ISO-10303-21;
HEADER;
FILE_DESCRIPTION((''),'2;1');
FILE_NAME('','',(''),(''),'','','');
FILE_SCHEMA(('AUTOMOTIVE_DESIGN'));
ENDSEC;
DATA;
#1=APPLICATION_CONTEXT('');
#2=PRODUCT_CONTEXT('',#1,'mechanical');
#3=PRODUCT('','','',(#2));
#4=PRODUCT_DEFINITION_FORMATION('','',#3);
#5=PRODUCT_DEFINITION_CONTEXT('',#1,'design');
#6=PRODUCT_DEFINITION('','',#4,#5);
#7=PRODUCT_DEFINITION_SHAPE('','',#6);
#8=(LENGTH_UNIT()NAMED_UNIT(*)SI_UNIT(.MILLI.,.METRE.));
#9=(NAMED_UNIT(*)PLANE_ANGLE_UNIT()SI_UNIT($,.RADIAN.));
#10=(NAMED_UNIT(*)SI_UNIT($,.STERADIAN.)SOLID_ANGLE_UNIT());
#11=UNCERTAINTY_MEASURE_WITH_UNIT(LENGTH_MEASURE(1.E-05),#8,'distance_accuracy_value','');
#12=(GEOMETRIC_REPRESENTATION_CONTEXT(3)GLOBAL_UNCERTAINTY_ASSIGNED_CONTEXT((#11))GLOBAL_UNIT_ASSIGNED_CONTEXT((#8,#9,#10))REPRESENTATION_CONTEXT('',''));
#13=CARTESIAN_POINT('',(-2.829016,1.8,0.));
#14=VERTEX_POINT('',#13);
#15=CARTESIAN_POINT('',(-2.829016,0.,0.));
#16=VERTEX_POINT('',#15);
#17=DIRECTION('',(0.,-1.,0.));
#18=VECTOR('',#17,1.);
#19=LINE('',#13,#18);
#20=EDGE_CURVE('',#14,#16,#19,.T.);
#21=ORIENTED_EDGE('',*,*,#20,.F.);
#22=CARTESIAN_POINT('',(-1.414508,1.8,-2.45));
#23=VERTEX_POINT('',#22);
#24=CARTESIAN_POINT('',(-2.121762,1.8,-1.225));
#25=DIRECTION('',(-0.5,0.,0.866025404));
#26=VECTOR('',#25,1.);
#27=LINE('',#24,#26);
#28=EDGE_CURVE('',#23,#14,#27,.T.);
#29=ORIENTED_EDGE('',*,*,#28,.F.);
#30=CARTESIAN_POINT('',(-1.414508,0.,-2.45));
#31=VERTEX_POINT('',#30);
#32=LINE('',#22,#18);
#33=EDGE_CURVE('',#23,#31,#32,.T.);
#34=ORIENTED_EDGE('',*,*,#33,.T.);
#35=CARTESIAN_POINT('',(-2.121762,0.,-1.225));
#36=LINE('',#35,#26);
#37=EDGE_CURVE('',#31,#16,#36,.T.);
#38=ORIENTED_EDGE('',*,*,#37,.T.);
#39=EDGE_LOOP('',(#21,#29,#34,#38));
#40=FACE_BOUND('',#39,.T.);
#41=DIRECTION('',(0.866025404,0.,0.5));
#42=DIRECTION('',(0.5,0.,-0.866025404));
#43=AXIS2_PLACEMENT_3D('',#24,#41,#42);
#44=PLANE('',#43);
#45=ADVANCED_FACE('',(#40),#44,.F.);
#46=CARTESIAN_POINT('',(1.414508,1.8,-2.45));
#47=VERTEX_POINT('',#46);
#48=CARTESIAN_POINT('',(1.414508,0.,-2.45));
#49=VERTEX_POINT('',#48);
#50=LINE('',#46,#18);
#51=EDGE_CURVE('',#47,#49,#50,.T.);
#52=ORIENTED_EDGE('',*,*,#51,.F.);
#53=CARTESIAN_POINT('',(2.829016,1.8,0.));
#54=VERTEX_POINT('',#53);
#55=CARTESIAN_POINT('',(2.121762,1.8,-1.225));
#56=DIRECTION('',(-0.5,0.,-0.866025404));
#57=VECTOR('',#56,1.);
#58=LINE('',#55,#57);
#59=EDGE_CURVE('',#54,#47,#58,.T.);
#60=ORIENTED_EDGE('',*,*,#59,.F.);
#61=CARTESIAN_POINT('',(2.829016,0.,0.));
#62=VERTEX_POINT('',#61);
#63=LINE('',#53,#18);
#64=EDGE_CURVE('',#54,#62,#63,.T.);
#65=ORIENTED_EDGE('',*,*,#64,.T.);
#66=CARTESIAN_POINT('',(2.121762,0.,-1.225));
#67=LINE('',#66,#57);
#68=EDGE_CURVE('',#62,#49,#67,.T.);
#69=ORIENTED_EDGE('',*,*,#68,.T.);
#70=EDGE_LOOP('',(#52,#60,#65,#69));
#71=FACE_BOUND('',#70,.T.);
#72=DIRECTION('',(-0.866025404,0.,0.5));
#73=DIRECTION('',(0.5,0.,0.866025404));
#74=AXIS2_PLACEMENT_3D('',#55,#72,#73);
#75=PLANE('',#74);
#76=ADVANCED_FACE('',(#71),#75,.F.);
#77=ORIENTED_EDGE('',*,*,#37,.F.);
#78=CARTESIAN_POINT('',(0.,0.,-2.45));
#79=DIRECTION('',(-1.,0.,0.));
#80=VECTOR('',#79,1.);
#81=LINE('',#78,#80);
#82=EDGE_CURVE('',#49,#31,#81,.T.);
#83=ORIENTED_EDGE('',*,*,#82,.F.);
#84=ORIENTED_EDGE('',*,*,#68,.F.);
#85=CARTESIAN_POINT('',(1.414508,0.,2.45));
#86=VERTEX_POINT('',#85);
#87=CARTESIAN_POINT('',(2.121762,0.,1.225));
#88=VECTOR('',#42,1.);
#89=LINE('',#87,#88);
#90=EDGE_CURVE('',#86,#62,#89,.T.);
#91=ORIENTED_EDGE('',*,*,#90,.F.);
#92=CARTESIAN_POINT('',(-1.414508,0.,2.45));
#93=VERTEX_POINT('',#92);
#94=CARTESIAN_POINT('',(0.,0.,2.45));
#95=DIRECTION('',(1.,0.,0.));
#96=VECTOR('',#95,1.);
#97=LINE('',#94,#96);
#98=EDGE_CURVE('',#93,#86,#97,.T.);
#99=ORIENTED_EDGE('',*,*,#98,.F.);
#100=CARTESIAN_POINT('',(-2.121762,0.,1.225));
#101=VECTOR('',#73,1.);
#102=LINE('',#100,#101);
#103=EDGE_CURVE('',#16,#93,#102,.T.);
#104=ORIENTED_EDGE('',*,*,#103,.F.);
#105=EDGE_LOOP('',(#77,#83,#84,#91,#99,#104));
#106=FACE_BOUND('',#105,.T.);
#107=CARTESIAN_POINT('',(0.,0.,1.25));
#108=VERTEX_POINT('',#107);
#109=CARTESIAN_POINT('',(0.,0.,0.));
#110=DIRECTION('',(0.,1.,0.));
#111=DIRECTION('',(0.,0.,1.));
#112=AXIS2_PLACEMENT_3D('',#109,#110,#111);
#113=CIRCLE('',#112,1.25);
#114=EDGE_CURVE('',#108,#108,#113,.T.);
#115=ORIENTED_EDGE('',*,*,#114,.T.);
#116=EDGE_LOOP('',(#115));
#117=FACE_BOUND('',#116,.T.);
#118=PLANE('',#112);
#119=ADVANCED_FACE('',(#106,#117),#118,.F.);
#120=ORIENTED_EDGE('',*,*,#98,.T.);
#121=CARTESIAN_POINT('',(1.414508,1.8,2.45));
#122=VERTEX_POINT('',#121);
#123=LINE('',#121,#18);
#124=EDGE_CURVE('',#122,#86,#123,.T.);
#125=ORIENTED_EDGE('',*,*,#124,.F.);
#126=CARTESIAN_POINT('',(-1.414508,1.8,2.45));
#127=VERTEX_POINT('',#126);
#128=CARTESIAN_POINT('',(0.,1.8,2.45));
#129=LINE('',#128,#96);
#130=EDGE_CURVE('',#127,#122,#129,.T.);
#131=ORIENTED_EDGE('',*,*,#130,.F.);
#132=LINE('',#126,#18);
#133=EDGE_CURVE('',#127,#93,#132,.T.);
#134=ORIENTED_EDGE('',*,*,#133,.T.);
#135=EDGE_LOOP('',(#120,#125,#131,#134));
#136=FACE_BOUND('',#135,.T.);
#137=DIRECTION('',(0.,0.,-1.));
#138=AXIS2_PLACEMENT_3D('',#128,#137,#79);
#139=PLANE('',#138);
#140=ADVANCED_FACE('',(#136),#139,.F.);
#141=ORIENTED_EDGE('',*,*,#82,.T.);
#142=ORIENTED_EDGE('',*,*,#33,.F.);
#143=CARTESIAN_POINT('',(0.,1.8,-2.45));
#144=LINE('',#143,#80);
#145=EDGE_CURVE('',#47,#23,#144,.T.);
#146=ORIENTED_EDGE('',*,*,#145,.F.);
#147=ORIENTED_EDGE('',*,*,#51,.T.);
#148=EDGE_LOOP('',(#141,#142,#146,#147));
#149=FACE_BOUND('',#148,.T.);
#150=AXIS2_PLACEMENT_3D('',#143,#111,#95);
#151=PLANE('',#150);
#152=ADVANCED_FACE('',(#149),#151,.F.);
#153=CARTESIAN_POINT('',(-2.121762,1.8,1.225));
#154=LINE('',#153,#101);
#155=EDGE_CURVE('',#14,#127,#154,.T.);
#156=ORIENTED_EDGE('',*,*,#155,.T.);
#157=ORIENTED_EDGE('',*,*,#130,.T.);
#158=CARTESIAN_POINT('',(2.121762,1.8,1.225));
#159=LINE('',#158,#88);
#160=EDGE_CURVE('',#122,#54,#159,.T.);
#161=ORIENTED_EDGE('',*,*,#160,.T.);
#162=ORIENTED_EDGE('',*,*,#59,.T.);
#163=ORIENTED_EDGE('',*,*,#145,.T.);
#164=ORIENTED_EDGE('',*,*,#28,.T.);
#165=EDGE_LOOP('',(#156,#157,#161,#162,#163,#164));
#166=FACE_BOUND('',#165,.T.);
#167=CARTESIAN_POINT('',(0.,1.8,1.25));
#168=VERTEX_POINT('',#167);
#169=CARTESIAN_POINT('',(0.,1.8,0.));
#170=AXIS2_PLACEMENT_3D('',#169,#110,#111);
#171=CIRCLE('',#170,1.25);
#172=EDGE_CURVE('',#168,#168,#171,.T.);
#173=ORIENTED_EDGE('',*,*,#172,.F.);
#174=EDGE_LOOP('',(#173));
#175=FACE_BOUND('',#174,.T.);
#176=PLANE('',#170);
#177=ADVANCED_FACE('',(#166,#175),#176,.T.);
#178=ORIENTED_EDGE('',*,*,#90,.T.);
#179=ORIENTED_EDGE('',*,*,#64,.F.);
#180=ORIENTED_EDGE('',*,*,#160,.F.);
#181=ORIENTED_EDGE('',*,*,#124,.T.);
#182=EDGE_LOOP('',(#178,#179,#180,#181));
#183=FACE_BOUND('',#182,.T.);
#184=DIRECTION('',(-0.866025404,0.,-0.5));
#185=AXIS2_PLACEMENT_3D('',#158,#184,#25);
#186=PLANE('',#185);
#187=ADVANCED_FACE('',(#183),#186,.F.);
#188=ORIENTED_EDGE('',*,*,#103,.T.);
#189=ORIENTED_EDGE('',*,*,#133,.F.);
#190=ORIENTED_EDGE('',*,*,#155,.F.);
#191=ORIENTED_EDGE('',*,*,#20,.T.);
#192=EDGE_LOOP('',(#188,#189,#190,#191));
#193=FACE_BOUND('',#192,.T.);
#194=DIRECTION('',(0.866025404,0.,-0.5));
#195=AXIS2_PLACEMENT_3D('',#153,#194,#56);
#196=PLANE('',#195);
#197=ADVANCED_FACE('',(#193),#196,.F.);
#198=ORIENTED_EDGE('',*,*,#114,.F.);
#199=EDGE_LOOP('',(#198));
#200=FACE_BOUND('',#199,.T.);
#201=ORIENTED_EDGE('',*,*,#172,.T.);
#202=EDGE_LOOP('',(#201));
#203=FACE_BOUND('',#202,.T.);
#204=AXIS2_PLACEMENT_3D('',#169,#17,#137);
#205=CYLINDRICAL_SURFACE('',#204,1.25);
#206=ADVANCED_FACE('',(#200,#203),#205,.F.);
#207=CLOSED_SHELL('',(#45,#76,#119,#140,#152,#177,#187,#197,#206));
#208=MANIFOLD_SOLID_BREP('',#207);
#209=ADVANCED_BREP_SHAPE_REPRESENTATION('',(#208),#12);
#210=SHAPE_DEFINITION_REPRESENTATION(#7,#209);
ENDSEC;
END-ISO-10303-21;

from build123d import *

# Parameters (mm, degrees)
SKETCH_1_R      = 1.25
EXTRUDE_1_DEPTH = 1.8


with BuildPart() as part:
    # 草图1 → 凸台-拉伸1 (new body)
    with BuildSketch(Plane(origin=(0, 0, 0), x_dir=(1, 0, 0), z_dir=(0, 1, 0))):
        Polygon((-1.41450816, -2.45), (1.41450816, -2.45), (2.829016319, 0), (1.41450816, 2.45), (-1.41450816, 2.45), (-2.829016319, 0), align=None)
        with Locations(Location((0, 0, 0), (0, 0, 270))):
            Circle(SKETCH_1_R, mode=Mode.SUBTRACT)
    extrude(amount=EXTRUDE_1_DEPTH)


solid = part.part
